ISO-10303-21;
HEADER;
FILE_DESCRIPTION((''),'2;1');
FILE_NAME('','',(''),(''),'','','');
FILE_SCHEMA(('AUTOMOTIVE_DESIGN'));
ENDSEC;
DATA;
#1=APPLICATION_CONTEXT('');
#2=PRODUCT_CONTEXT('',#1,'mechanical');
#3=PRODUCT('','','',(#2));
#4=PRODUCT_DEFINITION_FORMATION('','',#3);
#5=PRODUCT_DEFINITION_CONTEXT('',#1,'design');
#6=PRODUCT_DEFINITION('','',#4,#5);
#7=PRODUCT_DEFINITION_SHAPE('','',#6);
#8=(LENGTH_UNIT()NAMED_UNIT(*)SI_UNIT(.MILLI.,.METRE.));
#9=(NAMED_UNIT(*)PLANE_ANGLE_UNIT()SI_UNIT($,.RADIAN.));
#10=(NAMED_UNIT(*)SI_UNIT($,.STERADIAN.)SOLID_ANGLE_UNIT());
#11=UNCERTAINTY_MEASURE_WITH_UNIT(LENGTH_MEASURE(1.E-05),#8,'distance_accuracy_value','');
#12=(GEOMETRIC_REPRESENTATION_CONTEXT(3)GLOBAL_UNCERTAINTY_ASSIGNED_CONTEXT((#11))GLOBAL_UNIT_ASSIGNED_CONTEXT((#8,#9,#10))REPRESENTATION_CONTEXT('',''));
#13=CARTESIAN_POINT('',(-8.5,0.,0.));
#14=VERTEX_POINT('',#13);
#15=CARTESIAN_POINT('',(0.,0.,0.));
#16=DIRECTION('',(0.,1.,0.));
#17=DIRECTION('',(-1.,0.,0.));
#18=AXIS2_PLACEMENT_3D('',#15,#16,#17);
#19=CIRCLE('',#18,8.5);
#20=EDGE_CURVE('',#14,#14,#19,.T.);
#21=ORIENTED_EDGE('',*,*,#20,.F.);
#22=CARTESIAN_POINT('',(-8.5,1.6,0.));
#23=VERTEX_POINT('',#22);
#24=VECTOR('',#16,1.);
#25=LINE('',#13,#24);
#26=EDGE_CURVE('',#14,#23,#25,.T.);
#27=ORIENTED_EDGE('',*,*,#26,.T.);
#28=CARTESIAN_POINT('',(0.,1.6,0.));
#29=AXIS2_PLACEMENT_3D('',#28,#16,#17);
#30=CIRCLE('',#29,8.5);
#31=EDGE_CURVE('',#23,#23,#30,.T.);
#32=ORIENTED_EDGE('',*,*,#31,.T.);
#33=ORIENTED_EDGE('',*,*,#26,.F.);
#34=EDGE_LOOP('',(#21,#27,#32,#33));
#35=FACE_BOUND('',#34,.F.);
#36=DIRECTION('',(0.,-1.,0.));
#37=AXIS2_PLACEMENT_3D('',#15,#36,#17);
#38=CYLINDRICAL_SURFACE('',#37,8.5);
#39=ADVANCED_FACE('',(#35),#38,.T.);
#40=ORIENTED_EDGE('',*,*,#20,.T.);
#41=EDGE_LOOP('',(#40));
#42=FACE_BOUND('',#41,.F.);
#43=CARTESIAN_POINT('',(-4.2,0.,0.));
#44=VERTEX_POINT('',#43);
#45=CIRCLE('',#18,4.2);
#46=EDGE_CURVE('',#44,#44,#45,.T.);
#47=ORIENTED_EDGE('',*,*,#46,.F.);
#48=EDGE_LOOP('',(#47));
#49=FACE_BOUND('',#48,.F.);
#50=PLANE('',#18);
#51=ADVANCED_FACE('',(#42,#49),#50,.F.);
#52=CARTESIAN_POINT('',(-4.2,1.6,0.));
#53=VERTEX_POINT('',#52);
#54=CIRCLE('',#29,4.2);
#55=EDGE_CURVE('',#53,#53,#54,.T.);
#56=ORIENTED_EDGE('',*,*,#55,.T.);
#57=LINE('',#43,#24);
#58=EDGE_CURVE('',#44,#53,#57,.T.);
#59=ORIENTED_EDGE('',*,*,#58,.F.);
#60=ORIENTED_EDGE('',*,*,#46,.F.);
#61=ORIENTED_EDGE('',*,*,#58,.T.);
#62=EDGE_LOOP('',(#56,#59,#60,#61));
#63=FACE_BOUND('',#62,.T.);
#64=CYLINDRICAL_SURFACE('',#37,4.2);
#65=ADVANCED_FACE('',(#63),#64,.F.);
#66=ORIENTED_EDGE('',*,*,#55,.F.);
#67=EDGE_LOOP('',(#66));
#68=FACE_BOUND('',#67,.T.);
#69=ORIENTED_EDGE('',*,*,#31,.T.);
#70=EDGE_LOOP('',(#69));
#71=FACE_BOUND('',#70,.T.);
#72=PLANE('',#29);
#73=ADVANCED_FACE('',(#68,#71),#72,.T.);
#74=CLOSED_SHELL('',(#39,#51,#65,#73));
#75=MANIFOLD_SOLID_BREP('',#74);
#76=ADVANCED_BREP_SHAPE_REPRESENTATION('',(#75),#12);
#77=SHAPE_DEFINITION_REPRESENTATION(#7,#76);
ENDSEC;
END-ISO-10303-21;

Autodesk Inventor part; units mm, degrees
ref_plane "YZ Plane" through (0, 0, 0) normal (1, 0, 0) x (0, 1, 0)
ref_plane "XZ Plane" through (0, 0, 0) normal (0, 1, 0) x (-1, 0, 0)
ref_plane "XY Plane" through (0, 0, 0) normal (0, 0, 1) x (1, 0, 0)
sketch "Sketch2" plane through (0, 0, 0) normal (0, 1, 0) x (-1, 0, 0)
  circle A0 centre (0, 0) radius 4.2
  circle A1 centre (0, 0) radius 8.5
  dimension "d40" = 8.4
  dimension "d41" = 17
extrude "Extrusion1" add sketch "Sketch2" along normal blind 1.6
properties part number "42-01-002"
